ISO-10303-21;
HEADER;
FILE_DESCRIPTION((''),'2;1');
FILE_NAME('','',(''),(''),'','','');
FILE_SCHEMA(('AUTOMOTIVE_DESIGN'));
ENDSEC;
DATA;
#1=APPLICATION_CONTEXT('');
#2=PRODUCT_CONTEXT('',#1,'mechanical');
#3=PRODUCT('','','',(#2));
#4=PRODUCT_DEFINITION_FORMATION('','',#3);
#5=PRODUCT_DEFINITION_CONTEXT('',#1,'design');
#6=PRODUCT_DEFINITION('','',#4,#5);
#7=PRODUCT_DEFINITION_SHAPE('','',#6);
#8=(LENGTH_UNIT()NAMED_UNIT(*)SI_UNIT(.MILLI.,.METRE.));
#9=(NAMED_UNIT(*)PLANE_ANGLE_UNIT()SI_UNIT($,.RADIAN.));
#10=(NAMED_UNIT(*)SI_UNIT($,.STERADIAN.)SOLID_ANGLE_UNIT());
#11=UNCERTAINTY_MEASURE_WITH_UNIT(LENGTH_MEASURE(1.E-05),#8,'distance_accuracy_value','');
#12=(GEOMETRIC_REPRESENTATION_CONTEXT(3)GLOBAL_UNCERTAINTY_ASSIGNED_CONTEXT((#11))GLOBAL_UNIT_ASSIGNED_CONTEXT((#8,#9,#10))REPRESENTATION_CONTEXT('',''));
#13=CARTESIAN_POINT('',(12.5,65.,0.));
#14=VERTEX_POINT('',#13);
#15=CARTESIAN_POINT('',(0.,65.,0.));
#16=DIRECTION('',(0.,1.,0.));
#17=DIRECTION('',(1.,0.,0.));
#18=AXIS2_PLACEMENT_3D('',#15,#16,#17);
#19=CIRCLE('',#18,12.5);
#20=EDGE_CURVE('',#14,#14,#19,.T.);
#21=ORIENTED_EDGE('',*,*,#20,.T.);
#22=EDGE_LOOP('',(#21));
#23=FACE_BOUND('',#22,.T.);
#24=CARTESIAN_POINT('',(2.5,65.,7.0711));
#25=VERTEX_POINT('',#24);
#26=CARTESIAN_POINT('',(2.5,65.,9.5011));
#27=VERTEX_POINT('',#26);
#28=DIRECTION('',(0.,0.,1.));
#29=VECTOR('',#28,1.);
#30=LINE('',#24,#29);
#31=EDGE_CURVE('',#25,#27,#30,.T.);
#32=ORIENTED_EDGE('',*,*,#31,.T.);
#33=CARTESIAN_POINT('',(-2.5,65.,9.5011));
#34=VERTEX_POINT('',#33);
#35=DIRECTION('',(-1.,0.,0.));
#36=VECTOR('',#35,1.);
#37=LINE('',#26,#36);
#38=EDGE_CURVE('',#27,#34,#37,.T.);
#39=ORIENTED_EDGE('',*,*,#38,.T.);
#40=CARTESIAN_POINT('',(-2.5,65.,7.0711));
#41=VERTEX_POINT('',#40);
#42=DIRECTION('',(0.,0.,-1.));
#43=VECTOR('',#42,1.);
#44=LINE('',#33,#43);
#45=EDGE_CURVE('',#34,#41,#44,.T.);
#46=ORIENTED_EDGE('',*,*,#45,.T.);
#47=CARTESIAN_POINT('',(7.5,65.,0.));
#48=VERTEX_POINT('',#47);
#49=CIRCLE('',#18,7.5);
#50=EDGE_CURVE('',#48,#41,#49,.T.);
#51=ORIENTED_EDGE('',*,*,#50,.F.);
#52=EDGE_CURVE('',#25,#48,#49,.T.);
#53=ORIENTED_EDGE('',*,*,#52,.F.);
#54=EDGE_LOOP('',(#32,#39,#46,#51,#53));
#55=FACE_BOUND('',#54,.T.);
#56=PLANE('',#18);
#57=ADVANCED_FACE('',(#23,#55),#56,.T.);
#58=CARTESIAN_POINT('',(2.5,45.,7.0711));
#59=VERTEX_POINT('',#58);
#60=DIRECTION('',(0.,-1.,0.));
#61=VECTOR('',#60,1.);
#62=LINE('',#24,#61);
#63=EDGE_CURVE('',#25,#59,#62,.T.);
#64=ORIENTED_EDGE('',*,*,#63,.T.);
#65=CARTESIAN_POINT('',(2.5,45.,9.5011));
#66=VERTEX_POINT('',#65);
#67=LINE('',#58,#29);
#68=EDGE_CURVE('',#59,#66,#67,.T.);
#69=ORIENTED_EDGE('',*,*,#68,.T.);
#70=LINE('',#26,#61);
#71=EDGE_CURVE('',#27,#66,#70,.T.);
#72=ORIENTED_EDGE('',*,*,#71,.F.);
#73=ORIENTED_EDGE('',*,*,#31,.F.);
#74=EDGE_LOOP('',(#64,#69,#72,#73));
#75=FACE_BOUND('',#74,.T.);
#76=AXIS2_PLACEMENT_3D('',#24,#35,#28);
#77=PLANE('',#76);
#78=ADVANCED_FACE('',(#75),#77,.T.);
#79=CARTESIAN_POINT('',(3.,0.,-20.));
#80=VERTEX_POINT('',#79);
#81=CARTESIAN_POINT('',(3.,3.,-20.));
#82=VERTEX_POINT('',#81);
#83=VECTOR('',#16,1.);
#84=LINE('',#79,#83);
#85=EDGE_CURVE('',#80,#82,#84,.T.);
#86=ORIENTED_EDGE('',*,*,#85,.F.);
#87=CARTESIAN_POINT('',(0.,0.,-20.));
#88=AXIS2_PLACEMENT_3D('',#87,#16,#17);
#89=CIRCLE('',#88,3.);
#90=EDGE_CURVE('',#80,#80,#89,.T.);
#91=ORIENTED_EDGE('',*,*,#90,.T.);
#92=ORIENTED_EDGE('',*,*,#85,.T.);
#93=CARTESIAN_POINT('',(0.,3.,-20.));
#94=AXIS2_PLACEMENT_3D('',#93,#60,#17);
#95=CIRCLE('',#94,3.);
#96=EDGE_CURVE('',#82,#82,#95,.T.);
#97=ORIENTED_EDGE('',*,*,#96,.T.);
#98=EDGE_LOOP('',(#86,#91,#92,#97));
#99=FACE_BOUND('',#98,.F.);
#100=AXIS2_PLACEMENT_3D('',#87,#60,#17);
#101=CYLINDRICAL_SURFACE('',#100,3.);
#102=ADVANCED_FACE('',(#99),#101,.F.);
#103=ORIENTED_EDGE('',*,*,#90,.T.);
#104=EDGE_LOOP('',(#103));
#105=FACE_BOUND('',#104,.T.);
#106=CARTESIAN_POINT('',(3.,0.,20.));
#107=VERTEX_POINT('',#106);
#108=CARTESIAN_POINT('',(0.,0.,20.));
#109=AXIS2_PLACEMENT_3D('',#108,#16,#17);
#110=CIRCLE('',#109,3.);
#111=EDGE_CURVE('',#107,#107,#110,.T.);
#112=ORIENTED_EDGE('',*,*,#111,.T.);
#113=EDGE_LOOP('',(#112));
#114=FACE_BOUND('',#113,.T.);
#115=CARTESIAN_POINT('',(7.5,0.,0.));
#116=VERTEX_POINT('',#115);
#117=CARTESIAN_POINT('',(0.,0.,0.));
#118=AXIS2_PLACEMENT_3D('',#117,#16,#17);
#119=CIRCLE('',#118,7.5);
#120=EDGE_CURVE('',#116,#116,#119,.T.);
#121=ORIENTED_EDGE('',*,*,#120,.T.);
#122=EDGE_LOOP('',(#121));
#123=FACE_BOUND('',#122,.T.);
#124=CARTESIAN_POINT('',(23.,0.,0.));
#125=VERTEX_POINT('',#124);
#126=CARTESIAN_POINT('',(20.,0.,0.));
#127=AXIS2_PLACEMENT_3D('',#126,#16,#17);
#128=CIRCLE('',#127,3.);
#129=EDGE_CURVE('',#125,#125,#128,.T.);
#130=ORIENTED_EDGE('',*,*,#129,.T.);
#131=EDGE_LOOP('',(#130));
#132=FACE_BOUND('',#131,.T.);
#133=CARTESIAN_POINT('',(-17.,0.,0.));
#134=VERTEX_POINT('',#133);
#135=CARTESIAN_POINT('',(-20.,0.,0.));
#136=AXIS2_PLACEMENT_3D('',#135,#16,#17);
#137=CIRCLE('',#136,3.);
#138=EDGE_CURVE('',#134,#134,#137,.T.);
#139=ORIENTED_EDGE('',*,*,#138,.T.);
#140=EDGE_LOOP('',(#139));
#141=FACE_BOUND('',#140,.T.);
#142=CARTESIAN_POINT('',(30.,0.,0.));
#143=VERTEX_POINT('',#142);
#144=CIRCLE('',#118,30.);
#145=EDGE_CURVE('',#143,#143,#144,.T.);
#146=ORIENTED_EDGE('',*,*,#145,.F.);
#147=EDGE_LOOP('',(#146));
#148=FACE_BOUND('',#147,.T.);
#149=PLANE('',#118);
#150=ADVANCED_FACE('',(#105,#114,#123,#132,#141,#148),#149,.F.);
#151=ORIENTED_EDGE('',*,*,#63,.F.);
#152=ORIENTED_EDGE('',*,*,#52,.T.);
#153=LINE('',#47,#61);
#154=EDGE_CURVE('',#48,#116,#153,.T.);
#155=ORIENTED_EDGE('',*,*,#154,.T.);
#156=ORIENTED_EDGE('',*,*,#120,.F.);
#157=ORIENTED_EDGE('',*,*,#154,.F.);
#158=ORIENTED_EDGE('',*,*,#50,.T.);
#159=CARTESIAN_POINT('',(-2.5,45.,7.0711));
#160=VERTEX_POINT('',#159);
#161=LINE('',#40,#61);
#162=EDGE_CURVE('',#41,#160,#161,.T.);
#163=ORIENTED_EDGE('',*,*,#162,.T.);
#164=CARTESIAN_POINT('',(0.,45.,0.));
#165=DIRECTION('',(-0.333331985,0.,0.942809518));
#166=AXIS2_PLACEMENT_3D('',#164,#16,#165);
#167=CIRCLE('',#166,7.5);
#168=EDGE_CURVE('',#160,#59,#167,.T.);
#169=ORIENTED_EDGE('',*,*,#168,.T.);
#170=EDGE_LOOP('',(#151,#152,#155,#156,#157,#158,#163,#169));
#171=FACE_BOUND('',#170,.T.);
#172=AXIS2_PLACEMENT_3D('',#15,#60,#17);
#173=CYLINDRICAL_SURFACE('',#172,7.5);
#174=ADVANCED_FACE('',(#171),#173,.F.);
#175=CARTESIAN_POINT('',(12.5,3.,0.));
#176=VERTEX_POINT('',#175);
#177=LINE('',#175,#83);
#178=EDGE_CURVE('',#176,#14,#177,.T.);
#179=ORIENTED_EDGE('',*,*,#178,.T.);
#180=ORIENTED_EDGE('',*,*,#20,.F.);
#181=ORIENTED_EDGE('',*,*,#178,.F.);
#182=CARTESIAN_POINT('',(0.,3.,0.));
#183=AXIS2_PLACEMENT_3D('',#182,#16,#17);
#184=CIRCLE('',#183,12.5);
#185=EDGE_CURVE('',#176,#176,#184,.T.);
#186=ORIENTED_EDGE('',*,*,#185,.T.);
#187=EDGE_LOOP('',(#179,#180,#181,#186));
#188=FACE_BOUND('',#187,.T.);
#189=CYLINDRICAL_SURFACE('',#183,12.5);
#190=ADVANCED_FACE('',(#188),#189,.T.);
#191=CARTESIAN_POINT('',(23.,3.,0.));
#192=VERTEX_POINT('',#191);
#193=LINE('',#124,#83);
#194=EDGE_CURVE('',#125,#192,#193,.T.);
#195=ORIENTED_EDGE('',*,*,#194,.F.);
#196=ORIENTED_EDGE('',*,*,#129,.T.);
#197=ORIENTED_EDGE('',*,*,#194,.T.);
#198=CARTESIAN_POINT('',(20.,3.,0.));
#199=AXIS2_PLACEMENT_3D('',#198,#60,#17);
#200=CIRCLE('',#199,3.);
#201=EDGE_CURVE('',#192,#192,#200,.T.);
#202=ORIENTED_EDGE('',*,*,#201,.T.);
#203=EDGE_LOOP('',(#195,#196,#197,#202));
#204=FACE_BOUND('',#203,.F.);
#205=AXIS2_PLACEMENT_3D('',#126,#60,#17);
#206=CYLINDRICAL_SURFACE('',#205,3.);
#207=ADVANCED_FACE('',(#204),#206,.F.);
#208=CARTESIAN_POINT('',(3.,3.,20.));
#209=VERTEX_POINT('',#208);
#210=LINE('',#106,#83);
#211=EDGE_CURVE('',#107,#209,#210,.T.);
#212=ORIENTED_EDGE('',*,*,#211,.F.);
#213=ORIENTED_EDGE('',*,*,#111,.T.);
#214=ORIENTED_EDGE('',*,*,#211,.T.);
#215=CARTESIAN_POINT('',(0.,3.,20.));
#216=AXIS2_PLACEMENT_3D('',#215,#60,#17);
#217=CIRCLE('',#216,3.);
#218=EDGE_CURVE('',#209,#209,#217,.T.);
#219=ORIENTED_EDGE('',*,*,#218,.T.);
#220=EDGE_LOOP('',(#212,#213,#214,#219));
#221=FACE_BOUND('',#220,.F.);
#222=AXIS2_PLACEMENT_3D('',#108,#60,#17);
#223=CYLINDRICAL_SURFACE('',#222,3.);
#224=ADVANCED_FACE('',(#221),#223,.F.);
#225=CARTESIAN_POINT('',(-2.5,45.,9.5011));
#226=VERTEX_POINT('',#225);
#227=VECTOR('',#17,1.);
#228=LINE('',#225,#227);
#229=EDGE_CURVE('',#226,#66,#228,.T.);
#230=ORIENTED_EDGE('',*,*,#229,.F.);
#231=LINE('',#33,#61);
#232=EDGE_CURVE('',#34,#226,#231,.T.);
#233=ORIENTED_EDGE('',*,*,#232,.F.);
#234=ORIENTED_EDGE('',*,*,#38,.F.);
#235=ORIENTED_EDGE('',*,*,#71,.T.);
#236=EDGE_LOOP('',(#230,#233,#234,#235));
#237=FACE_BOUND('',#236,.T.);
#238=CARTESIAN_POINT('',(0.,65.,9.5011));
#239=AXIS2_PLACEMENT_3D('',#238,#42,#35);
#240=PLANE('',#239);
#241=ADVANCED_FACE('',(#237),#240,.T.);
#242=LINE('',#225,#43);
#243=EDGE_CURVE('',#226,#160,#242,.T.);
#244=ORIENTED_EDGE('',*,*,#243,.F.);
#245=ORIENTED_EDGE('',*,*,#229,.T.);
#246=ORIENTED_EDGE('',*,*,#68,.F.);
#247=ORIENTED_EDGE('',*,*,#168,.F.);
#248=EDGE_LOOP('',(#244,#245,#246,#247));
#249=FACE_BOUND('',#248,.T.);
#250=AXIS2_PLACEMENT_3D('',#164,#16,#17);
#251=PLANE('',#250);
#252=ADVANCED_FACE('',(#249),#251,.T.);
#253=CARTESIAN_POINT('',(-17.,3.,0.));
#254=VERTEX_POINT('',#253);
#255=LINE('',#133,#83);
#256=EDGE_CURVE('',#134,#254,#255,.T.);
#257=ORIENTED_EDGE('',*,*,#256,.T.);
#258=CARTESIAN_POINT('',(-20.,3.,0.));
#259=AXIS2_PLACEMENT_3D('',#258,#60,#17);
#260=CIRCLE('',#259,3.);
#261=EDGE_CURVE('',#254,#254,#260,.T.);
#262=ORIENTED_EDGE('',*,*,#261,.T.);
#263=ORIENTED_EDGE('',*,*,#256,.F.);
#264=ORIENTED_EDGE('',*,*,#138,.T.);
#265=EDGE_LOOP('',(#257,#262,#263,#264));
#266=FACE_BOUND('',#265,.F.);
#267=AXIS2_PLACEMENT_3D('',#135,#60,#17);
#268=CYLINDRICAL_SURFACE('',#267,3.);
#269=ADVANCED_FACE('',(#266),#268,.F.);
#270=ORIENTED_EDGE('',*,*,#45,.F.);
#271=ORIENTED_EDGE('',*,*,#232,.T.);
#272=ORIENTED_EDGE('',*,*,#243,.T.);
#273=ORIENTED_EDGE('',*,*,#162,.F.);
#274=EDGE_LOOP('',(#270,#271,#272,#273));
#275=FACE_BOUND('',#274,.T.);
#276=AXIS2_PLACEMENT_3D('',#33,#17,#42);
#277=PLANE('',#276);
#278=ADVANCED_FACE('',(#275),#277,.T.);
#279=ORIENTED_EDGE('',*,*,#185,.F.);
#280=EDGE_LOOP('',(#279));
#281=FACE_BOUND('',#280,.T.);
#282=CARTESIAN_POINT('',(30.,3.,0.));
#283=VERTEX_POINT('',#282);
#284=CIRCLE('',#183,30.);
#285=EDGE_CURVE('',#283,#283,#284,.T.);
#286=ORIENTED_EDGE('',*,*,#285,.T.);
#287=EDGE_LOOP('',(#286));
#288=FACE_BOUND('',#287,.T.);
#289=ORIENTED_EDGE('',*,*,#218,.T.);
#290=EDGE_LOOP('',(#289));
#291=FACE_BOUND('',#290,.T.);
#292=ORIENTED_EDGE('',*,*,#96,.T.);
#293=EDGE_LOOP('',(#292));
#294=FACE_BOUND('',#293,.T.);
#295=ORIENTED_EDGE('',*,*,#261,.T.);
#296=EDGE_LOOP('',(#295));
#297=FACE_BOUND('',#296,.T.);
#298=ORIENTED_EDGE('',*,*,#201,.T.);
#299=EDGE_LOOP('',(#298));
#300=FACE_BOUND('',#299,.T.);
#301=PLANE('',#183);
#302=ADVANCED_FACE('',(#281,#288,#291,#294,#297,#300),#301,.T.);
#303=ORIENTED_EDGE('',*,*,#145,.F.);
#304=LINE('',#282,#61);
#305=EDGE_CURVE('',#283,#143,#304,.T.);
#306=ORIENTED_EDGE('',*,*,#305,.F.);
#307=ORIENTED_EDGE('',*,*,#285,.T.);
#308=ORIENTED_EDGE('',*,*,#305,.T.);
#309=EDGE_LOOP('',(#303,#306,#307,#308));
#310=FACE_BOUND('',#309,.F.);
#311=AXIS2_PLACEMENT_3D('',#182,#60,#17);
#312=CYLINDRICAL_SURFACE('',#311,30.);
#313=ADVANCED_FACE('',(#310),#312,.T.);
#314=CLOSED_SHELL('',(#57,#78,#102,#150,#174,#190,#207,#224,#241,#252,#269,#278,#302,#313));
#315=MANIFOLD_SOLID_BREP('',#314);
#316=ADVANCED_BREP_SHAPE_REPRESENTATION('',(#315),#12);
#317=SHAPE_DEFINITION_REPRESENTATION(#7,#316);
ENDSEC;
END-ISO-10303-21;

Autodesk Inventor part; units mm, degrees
ref_plane "YZ Plane" through (0, 0, 0) normal (1, 0, 0) x (0, 1, 0)
ref_plane "XZ Plane" through (0, 0, 0) normal (0, 1, 0) x (-1, 0, 0)
ref_plane "XY Plane" through (0, 0, 0) normal (0, 0, 1) x (1, 0, 0)
sketch "スケッチ1" plane through (0, 0, 0) normal (0, 0, 1) x (1, 0, 0)
  line L0 (-6, 0) -> (36, 0) projected
  line L1 (0, -13) -> (0, 78) projected
  line L2 (7.5, 0) -> (30, 0)
  line L3 (30, 3) -> (12.5, 3)
  line L4 (12.5, 3) -> (12.5, 65)
  line L5 (12.5, 65) -> (7.5, 65)
  line L6 (7.5, 65) -> (7.5, 0)
  line L7 (30, 3) -> (30, 0)
  point P0 (0, 0)
  dimension "d0" = 7.5
  dimension "d1" = 5
  dimension "d2" = 30
  dimension "d3" = 65
  dimension "d4" = 3
revolve "回転1" add sketch "スケッチ1" angle 360 about axis through (0, -10, 0) along (0, 1, 0)
sketch "スケッチ2" plane through (0, 0, 0) normal (0, -1, 0) x (1, 0, 0)
  circle A0 centre (0, 0) radius 20
  line L0 (-42, 0) -> (42, 0) projected
  line L1 (0, -42) -> (0, 42) projected
  circle A1 centre (20, 0) radius 3
  circle A2 centre (0, 20) radius 3
  circle A3 centre (-20, 0) radius 3
  circle A4 centre (0, -20) radius 3
  dimension "d6" = 40
  dimension "d7" = 6
  dimension "d10" = 360
extrude "押し出し1" cut sketch "スケッチ2" against normal blind 10 contours L0 A1 A0 | L0 A1 A0 | A0 A1 L0 | A0 A1 L0 | A2 L1 A0 | A0 L1 A2 | A4 L1 A0 | A0 L1 A4 | L1 A2 A0 | A0 A2 L1 | L1 A4 A0 | A0 A4 L1 | A3 A0 L0 | L0 A0 A3 | L0 A3 A0 | A0 A3 L0
sketch "スケッチ3" plane through (0, 65, 0) normal (0, 1, 0) x (1, 0, 0)
  line L0 (0, 42) -> (0, -42) projected
  line L1 (-42, 0) -> (42, 0) projected
  circle A0 centre (0, 0) radius 7.5 projected
  line L2 (2.5, -9.5011) -> (-2.5, -9.5011)
  line L3 (-2.5, -9.5011) -> (-2.5, -7.0711)
  line L4 (2.5, -7.0711) -> (2.5, -9.5011)
  line L5 (2.5, -9.5011) -> (-2.5, -7.0711) construction
  line L6 (-2.5, -9.5011) -> (2.5, -7.0711) construction
  circle A1 centre (0, 0) radius 12.5 projected
  circle A2 centre (0, 0) radius 7.5 projected
  circle A3 centre (0, 0) radius 7.5 projected
  arc A4 (-2.5, -7.0711) -> (2.5, -7.0711) centre (0, 0) ccw
  point P0 (0, -8.2861)
  dimension "d15" = 5
  dimension "d17" = 2.43
extrude "押し出し2" cut sketch "スケッチ3" against normal blind 20 contours A0 L4 L2 L0 | L0 L2 L3 A0
properties part number "Hub_v4" material "アルミニウム 6061"
